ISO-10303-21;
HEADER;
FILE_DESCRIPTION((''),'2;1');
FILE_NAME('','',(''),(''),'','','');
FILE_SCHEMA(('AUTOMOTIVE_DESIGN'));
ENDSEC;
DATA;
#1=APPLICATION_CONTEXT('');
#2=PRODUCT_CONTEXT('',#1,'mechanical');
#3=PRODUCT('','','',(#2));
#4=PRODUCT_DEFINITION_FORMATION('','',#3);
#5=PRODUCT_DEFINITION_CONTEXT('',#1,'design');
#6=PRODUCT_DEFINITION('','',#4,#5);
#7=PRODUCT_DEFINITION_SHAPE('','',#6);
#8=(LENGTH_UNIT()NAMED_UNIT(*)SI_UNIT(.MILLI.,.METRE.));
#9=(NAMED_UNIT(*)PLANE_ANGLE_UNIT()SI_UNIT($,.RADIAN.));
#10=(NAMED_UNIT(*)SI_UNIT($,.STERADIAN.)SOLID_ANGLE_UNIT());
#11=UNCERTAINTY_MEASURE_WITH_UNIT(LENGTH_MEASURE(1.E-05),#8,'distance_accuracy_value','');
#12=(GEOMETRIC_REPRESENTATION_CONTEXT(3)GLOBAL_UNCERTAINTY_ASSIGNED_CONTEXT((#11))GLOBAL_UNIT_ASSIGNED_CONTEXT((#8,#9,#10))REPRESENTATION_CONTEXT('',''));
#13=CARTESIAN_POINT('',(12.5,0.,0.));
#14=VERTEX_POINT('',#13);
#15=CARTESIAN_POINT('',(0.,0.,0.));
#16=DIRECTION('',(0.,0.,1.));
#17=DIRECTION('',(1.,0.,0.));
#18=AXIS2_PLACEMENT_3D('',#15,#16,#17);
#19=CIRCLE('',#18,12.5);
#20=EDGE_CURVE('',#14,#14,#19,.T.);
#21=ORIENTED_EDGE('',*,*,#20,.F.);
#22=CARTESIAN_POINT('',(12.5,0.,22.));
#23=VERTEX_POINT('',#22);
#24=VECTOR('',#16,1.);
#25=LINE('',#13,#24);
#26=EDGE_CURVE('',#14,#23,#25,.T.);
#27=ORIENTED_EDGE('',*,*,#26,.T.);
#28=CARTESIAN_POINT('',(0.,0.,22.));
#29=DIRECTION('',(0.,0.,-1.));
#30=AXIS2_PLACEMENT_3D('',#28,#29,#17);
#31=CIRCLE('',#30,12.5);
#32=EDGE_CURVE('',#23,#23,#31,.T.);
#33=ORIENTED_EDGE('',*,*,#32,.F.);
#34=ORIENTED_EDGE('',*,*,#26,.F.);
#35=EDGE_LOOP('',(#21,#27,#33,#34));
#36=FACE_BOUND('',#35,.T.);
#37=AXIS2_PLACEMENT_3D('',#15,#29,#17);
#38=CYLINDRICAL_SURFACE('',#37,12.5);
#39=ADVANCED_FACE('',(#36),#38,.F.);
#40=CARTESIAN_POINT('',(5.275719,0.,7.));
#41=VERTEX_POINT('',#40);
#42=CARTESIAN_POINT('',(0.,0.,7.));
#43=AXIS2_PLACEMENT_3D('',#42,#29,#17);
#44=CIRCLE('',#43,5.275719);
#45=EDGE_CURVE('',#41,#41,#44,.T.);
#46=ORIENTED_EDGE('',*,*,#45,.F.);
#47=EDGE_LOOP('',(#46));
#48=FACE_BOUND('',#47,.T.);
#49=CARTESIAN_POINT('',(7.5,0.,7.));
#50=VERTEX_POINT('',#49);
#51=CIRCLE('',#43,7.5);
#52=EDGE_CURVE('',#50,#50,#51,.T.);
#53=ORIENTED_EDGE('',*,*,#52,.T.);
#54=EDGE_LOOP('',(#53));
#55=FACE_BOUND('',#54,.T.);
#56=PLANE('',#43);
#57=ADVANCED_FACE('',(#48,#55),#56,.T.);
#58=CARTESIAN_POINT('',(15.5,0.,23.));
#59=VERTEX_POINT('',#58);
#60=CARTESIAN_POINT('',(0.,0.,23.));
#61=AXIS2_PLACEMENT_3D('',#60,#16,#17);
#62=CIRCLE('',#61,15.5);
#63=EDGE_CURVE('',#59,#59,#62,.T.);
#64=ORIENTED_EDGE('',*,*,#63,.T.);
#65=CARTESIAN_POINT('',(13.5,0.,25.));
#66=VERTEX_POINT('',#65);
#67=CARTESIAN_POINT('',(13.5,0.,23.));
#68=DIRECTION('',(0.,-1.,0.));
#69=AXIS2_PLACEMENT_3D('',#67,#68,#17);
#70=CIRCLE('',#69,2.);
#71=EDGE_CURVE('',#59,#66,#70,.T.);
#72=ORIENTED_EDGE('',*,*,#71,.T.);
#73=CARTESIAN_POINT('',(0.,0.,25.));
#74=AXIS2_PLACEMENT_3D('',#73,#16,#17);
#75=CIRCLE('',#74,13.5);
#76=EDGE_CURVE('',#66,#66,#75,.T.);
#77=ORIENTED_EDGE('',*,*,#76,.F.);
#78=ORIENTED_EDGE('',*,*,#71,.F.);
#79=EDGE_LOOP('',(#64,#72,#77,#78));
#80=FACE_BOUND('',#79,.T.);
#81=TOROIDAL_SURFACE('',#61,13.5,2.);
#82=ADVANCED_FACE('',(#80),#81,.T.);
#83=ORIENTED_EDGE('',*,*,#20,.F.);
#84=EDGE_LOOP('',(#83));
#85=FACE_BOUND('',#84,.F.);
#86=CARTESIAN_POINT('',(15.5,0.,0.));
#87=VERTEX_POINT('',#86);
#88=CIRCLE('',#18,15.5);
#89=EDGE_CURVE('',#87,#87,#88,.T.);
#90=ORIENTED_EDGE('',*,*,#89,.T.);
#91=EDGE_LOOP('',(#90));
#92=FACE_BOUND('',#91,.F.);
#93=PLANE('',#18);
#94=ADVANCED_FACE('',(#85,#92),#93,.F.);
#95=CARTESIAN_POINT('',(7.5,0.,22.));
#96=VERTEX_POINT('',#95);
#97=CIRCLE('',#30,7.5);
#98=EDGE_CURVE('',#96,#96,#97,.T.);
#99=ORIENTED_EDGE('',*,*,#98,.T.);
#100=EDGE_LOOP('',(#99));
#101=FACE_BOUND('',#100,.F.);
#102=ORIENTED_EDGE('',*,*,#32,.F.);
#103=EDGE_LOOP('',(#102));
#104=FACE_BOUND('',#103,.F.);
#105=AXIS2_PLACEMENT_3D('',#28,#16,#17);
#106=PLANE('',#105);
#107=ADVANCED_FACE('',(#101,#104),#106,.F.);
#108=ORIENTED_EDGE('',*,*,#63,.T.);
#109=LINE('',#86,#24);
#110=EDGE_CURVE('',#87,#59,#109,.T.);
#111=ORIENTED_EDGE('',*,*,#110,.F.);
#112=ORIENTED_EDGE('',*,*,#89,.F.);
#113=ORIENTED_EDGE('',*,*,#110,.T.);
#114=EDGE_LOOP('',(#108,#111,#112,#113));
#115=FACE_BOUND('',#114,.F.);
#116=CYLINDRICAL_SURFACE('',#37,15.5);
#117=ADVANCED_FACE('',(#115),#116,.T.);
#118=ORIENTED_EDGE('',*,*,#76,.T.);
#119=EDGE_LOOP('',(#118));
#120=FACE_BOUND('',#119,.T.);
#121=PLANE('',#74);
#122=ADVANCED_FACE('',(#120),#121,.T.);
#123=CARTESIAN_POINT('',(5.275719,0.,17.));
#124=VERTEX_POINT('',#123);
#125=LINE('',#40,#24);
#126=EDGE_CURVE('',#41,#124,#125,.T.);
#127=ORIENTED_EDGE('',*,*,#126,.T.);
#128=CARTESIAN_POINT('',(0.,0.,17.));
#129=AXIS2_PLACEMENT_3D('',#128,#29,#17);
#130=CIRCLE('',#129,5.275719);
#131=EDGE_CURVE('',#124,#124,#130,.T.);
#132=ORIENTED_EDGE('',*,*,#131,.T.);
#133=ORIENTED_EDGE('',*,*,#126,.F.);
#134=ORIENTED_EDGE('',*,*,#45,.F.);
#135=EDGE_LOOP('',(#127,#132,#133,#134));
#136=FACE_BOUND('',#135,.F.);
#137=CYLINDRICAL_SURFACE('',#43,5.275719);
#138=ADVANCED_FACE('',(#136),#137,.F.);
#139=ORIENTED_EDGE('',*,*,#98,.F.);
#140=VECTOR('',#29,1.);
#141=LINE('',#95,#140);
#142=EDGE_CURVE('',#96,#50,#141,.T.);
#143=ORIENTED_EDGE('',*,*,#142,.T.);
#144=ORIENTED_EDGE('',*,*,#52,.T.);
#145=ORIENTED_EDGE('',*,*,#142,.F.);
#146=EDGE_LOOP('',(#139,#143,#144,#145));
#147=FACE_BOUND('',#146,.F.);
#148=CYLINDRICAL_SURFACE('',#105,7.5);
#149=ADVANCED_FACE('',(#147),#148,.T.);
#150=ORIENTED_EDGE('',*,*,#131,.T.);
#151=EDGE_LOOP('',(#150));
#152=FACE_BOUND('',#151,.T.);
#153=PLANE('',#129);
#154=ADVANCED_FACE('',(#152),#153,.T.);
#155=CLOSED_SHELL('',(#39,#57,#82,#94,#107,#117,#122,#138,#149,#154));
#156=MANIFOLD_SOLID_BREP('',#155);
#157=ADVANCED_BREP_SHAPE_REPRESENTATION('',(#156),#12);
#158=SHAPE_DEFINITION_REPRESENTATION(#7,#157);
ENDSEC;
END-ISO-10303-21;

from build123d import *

# Parameters (mm, degrees)
F0_R     = 15.5
F1_DEPTH = 25
F2_T     = -3
F3_R     = 2
F4_R     = 7.5
F5_DEPTH = 15
F6_R     = 5.275719
F7_DEPTH = 10


with BuildPart() as f1:
    # F0 (on Top) → F1 (new body)
    with BuildSketch(Plane.XY):
        Circle(F0_R)
    extrude(amount=F1_DEPTH)

    # F2
    f2_openings = [f1.faces().sort_by_distance(p)[0] for p in [
        (0, 0, 0),
    ]]
    offset(amount=F2_T, openings=f2_openings)

    # F3
    f3_edges = [f1.edges().sort_by_distance(p)[0] for p in [
        (-15.5, 0, 25),
    ]]
    fillet(f3_edges, radius=F3_R)

    # F4 (on face) → F5 (join)
    with BuildSketch(Plane(origin=(0, 0, 22), x_dir=(1, 0, 0), z_dir=(0, 0, -1))):
        Circle(F4_R)
    extrude(amount=F5_DEPTH)

    # F6 (on face) → F7 (cut)
    with BuildSketch(Plane(origin=(0, 0, 7), x_dir=(1, 0, 0), z_dir=(0, 0, -1))):
        Circle(F6_R)
    extrude(amount=-F7_DEPTH, mode=Mode.SUBTRACT)


solid = f1.part
